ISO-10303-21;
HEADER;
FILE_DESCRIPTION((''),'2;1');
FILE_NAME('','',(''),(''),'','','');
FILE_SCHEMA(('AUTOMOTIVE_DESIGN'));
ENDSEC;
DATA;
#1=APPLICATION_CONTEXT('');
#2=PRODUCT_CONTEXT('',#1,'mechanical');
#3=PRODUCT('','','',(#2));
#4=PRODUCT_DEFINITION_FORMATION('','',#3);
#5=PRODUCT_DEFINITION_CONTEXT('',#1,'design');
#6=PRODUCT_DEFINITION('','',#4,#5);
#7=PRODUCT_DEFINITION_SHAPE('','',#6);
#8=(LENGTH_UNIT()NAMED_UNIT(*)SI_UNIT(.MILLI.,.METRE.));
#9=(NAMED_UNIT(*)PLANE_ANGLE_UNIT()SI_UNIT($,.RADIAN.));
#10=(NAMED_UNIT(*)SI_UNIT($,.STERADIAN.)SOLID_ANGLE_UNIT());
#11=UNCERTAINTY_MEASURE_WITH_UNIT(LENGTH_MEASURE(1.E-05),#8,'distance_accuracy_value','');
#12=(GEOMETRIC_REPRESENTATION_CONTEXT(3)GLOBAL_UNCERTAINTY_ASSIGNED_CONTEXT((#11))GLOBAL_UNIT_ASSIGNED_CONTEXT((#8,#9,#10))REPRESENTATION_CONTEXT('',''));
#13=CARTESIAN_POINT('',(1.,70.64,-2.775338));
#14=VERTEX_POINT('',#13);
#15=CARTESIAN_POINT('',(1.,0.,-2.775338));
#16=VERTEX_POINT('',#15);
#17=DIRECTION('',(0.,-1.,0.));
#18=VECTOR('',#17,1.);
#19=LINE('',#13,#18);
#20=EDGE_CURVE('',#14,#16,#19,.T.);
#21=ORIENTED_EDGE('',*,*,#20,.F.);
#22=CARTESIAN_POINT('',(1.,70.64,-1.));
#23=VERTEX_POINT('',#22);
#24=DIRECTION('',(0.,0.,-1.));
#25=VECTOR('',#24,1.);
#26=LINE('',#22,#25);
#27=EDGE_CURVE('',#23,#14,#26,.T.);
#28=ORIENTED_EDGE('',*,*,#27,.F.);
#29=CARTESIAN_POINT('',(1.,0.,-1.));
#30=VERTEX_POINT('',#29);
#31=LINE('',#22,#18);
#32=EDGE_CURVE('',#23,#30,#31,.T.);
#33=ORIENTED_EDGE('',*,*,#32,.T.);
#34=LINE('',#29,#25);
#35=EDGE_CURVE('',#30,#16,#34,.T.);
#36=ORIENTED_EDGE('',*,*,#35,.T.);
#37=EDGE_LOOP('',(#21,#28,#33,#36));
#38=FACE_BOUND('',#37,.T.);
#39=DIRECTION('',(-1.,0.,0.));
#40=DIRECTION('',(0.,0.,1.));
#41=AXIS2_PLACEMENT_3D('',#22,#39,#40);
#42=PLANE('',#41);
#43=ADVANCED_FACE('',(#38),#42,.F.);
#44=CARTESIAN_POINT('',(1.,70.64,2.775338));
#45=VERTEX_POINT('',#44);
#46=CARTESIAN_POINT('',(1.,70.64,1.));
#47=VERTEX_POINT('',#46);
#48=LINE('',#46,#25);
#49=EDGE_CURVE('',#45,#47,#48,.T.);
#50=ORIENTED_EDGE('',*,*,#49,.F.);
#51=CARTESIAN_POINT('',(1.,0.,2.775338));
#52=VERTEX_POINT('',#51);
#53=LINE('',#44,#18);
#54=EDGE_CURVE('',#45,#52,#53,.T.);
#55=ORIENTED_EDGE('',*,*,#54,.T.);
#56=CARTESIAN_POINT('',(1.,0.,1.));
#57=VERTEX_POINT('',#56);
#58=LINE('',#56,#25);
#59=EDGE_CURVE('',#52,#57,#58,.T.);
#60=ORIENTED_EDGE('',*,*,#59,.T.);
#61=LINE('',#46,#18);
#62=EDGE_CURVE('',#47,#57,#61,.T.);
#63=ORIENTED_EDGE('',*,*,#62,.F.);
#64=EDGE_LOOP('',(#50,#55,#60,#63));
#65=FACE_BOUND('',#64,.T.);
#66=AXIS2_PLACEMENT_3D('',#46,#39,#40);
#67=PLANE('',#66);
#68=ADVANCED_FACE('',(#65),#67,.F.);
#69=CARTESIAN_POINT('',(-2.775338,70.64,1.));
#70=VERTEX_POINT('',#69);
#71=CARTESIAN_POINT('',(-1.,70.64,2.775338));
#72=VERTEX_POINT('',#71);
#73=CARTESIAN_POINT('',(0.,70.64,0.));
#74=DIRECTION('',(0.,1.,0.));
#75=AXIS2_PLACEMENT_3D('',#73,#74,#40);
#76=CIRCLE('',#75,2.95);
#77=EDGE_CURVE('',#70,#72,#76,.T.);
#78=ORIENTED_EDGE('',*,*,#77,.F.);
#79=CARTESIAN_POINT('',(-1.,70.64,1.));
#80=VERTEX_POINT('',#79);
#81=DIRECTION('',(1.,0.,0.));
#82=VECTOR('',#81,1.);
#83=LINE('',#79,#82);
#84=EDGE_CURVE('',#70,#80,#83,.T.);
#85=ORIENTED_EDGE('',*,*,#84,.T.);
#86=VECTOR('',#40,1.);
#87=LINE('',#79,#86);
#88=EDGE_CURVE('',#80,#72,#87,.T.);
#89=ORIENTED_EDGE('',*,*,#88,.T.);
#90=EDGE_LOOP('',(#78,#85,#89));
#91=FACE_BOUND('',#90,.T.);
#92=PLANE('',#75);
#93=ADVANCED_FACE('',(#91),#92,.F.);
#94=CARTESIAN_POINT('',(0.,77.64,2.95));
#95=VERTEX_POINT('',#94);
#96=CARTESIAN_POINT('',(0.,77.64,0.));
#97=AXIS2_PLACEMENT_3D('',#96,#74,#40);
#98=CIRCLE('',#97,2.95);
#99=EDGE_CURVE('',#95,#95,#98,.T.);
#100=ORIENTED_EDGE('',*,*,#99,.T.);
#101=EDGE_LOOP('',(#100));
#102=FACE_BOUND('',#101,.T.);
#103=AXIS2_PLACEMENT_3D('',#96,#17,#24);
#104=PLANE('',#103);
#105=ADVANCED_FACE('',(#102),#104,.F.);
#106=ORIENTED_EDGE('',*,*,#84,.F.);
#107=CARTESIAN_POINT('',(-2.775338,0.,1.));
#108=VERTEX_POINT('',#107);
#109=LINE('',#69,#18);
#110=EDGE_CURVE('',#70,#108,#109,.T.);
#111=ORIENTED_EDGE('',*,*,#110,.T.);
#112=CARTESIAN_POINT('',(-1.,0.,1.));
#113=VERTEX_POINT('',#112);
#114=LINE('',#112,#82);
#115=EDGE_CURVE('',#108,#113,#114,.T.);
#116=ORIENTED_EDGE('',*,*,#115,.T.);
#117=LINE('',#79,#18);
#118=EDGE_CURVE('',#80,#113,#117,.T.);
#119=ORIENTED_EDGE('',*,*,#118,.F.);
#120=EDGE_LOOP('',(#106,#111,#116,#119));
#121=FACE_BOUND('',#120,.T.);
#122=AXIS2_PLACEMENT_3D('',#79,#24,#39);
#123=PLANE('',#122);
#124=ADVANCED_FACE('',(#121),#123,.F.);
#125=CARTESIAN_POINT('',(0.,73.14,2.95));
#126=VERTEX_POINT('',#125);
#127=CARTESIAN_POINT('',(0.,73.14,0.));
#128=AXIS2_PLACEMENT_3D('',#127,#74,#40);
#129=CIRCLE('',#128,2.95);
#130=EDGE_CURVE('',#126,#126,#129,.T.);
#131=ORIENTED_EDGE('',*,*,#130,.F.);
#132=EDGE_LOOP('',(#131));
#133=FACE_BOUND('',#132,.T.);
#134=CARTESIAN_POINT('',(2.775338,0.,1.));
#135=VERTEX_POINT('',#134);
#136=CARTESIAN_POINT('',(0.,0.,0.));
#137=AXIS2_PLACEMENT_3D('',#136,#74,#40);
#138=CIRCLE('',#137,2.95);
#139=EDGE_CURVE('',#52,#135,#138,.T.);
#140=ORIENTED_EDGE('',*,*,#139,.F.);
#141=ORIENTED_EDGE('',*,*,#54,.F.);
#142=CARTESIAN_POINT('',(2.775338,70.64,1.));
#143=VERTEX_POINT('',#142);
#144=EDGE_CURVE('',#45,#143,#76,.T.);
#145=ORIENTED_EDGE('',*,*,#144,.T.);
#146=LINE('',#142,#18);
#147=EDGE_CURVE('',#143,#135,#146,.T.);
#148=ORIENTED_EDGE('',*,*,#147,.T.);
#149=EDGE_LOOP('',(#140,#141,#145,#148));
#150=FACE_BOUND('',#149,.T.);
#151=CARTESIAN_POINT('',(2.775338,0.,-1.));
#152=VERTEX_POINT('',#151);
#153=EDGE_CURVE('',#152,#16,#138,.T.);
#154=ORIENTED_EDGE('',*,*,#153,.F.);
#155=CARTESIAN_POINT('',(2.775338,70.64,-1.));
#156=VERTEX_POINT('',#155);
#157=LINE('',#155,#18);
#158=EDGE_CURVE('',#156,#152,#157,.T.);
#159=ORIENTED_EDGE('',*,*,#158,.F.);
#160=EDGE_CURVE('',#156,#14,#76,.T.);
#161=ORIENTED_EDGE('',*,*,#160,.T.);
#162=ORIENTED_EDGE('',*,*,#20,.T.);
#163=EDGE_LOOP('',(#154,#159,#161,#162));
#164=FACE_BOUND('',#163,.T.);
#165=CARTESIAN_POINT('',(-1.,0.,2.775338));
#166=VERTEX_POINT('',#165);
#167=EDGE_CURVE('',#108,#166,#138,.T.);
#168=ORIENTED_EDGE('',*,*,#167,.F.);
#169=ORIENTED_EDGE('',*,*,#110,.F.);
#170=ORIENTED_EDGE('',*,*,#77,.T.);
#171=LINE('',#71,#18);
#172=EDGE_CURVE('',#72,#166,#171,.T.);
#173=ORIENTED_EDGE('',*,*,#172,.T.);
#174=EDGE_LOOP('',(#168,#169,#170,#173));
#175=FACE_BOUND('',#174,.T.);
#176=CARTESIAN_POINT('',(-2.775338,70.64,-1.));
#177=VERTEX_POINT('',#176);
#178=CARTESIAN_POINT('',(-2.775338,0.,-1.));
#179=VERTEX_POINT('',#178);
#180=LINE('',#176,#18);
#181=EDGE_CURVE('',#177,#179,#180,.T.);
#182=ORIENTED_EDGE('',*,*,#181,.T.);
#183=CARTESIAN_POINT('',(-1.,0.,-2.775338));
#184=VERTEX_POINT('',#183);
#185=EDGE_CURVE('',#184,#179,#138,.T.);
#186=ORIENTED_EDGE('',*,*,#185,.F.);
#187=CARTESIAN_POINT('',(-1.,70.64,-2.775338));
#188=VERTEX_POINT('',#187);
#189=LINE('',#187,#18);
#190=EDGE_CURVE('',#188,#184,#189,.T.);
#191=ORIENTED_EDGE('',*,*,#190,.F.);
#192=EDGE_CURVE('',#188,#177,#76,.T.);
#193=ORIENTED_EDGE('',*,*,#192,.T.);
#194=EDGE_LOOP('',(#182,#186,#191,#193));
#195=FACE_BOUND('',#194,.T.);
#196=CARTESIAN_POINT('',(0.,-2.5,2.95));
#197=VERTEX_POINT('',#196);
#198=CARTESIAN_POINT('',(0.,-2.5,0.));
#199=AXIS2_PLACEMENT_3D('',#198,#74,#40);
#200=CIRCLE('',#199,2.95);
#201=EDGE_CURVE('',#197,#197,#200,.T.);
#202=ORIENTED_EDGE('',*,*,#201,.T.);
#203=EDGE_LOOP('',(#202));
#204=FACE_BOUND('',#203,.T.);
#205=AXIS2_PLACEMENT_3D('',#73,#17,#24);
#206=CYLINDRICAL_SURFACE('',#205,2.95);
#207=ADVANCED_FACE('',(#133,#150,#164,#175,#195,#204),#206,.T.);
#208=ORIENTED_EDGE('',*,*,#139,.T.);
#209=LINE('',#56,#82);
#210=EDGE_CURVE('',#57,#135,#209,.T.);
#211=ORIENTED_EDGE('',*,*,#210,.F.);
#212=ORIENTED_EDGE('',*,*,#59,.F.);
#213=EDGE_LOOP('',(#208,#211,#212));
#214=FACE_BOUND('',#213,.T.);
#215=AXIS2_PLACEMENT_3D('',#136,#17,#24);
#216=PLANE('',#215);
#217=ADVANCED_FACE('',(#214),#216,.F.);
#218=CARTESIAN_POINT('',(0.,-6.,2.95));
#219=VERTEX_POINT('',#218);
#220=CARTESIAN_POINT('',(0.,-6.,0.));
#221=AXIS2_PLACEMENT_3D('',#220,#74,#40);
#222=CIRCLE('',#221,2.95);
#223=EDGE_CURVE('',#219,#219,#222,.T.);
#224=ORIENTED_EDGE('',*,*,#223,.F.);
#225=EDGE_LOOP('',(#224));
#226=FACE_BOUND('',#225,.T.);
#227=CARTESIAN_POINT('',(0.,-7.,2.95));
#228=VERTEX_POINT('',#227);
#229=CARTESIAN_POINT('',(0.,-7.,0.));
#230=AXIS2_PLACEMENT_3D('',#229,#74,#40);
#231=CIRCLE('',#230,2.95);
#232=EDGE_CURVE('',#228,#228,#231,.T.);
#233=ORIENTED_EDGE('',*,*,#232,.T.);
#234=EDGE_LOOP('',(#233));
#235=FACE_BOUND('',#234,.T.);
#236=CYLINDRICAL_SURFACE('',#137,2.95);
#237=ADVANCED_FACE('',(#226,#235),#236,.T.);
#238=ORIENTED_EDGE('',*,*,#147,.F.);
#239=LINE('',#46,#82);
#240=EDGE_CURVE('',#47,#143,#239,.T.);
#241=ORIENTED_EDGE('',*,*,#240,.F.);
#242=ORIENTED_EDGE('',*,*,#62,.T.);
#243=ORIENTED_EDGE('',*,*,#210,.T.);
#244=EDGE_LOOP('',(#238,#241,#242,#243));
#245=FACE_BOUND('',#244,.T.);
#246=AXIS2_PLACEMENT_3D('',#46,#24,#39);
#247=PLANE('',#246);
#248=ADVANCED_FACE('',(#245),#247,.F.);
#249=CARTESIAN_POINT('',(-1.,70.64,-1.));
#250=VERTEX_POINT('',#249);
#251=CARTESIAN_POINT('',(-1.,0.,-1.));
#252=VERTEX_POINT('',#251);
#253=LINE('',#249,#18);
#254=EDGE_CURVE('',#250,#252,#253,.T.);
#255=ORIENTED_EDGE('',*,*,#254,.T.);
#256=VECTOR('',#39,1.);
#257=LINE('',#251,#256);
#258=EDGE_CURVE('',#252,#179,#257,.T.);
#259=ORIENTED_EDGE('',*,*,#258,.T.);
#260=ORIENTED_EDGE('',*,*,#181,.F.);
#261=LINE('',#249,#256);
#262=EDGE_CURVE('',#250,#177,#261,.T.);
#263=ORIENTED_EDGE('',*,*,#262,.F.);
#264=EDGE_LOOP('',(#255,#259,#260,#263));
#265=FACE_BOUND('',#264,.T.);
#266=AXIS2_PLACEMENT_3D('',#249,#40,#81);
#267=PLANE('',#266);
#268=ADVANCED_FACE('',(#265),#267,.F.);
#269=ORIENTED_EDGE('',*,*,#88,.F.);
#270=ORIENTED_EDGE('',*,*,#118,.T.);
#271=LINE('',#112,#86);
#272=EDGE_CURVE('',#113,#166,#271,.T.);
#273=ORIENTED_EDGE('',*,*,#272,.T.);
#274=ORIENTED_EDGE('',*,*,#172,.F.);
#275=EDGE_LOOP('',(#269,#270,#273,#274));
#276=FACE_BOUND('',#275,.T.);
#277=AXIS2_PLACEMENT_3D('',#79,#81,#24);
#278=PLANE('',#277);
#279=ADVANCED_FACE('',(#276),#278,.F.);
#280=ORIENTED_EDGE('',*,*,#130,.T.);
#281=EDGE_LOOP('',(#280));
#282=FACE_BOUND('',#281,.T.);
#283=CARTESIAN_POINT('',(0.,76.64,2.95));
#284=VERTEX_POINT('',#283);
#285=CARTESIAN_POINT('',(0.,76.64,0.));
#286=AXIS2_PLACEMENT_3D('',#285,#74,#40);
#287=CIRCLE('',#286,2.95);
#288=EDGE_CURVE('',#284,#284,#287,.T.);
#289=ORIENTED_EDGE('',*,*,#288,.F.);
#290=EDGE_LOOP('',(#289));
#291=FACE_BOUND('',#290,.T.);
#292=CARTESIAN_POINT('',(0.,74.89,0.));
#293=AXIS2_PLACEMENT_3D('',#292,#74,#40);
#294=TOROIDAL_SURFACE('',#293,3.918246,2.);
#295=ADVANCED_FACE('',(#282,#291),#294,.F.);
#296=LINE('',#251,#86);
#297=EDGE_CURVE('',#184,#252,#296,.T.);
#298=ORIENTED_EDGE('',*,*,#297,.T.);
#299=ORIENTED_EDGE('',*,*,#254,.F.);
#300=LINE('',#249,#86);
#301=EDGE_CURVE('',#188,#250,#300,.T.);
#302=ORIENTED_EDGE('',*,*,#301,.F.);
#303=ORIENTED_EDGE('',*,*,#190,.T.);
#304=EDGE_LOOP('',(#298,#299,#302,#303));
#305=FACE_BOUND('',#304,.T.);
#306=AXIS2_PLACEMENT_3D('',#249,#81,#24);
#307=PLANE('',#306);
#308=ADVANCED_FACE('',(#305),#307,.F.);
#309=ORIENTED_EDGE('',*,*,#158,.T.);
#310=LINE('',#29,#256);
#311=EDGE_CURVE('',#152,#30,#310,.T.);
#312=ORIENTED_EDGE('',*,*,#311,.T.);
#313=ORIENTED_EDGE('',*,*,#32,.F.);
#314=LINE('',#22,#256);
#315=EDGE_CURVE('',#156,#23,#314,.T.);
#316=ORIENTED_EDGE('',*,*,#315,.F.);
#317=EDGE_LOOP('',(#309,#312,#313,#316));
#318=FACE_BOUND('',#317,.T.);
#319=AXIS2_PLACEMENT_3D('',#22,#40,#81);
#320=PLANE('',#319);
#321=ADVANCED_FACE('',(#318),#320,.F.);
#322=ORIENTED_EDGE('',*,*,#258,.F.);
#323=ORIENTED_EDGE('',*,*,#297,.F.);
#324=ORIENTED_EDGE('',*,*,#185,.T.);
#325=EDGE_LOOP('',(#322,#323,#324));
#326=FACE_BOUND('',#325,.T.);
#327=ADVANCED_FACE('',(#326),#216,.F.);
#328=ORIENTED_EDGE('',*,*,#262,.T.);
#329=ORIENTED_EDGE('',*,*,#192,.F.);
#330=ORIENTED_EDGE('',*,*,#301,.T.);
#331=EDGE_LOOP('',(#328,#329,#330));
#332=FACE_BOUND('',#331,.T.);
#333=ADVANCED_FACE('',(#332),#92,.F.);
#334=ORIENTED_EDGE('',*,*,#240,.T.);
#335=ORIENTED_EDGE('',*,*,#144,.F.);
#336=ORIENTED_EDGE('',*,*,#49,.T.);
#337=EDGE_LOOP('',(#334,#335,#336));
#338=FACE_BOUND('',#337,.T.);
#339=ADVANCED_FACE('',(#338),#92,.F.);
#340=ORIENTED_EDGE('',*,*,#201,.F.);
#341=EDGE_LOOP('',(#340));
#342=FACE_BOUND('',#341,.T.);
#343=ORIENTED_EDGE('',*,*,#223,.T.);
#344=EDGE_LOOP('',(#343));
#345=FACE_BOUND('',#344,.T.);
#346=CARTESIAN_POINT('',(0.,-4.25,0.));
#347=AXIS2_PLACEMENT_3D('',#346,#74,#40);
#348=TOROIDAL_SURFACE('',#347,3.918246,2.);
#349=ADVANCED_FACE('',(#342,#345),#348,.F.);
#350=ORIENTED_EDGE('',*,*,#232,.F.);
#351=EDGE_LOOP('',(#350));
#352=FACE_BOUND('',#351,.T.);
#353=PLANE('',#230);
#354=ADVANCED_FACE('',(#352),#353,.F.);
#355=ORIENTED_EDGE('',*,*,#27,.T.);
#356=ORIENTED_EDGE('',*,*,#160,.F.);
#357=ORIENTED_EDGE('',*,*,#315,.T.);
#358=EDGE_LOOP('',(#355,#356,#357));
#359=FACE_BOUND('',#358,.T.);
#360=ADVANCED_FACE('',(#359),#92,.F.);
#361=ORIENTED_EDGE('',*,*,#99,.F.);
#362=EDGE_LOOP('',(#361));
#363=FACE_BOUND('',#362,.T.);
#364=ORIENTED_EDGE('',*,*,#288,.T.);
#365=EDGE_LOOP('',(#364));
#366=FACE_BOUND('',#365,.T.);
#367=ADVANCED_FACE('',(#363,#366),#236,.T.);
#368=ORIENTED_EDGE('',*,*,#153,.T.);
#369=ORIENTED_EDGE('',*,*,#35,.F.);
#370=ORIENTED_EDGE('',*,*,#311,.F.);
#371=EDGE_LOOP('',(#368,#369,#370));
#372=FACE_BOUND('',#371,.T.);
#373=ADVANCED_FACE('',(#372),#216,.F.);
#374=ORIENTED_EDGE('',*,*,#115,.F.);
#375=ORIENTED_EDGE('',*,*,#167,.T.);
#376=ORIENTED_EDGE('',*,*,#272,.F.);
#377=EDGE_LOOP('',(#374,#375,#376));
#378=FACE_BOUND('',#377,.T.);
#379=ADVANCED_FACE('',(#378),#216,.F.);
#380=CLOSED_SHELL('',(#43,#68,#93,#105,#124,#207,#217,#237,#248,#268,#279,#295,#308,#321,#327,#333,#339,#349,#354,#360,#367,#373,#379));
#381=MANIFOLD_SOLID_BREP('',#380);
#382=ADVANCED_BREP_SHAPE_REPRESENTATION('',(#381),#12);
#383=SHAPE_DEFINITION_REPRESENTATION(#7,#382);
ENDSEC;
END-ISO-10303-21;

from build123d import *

# Parameters (mm, degrees)
EXTRUDE_2_DEPTH = 70.64


with BuildPart() as part:
    # 草图1 → 凸台-拉伸2 (new body)
    with BuildSketch(Plane(origin=(0, 0, 0), x_dir=(1, 0, 0), z_dir=(0, 1, 0))):
        with BuildLine():
            Line((1, 1), (1, 2.775338))
            ThreePointArc((1, 2.775338), (0, 2.95), (-1, 2.775338))
            Line((-1, 2.775338), (-1, 1))
            Line((-1, 1), (-2.775338, 1))
            ThreePointArc((-2.775338, 1), (-2.95, 0), (-2.775338, -1))
            Line((-2.775338, -1), (-1, -1))
            Line((-1, -1), (-1, -2.775338))
            ThreePointArc((-1, -2.775338), (0, -2.95), (1, -2.775338))
            Line((1, -2.775338), (1, -1))
            Line((1, -1), (2.775338, -1))
            ThreePointArc((2.775338, -1), (2.95, 0), (2.775338, 1))
            Line((2.775338, 1), (1, 1))
        make_face()
    extrude(amount=EXTRUDE_2_DEPTH)

    # 草图3 → 旋转3 (revolve)
    with BuildSketch(Plane(origin=(0, 0, 0), x_dir=(0, 0, -1), z_dir=(1, 0, 0))):
        with BuildLine():
            Line((0, 70.64), (0, 77.64))
            Line((0, 77.64), (2.95, 77.64))
            Line((2.95, 77.64), (2.95, 76.64))
            ThreePointArc((2.95, 76.64), (1.918246, 74.89), (2.95, 73.14))
            Line((2.95, 73.14), (2.95, 70.64))
            Line((2.95, 70.64), (0, 70.64))
        make_face()
        with BuildLine():
            Line((0, 0), (0, -7))
            Line((0, -7), (2.95, -7))
            Line((2.95, -7), (2.95, -6))
            ThreePointArc((2.95, -6), (1.918246, -4.25), (2.95, -2.5))
            Line((2.95, -2.5), (2.95, 0))
            Line((2.95, 0), (0, 0))
        make_face()
    revolve(axis=Axis((0, 0, 0), (0, -1, 0)))


solid = part.part
